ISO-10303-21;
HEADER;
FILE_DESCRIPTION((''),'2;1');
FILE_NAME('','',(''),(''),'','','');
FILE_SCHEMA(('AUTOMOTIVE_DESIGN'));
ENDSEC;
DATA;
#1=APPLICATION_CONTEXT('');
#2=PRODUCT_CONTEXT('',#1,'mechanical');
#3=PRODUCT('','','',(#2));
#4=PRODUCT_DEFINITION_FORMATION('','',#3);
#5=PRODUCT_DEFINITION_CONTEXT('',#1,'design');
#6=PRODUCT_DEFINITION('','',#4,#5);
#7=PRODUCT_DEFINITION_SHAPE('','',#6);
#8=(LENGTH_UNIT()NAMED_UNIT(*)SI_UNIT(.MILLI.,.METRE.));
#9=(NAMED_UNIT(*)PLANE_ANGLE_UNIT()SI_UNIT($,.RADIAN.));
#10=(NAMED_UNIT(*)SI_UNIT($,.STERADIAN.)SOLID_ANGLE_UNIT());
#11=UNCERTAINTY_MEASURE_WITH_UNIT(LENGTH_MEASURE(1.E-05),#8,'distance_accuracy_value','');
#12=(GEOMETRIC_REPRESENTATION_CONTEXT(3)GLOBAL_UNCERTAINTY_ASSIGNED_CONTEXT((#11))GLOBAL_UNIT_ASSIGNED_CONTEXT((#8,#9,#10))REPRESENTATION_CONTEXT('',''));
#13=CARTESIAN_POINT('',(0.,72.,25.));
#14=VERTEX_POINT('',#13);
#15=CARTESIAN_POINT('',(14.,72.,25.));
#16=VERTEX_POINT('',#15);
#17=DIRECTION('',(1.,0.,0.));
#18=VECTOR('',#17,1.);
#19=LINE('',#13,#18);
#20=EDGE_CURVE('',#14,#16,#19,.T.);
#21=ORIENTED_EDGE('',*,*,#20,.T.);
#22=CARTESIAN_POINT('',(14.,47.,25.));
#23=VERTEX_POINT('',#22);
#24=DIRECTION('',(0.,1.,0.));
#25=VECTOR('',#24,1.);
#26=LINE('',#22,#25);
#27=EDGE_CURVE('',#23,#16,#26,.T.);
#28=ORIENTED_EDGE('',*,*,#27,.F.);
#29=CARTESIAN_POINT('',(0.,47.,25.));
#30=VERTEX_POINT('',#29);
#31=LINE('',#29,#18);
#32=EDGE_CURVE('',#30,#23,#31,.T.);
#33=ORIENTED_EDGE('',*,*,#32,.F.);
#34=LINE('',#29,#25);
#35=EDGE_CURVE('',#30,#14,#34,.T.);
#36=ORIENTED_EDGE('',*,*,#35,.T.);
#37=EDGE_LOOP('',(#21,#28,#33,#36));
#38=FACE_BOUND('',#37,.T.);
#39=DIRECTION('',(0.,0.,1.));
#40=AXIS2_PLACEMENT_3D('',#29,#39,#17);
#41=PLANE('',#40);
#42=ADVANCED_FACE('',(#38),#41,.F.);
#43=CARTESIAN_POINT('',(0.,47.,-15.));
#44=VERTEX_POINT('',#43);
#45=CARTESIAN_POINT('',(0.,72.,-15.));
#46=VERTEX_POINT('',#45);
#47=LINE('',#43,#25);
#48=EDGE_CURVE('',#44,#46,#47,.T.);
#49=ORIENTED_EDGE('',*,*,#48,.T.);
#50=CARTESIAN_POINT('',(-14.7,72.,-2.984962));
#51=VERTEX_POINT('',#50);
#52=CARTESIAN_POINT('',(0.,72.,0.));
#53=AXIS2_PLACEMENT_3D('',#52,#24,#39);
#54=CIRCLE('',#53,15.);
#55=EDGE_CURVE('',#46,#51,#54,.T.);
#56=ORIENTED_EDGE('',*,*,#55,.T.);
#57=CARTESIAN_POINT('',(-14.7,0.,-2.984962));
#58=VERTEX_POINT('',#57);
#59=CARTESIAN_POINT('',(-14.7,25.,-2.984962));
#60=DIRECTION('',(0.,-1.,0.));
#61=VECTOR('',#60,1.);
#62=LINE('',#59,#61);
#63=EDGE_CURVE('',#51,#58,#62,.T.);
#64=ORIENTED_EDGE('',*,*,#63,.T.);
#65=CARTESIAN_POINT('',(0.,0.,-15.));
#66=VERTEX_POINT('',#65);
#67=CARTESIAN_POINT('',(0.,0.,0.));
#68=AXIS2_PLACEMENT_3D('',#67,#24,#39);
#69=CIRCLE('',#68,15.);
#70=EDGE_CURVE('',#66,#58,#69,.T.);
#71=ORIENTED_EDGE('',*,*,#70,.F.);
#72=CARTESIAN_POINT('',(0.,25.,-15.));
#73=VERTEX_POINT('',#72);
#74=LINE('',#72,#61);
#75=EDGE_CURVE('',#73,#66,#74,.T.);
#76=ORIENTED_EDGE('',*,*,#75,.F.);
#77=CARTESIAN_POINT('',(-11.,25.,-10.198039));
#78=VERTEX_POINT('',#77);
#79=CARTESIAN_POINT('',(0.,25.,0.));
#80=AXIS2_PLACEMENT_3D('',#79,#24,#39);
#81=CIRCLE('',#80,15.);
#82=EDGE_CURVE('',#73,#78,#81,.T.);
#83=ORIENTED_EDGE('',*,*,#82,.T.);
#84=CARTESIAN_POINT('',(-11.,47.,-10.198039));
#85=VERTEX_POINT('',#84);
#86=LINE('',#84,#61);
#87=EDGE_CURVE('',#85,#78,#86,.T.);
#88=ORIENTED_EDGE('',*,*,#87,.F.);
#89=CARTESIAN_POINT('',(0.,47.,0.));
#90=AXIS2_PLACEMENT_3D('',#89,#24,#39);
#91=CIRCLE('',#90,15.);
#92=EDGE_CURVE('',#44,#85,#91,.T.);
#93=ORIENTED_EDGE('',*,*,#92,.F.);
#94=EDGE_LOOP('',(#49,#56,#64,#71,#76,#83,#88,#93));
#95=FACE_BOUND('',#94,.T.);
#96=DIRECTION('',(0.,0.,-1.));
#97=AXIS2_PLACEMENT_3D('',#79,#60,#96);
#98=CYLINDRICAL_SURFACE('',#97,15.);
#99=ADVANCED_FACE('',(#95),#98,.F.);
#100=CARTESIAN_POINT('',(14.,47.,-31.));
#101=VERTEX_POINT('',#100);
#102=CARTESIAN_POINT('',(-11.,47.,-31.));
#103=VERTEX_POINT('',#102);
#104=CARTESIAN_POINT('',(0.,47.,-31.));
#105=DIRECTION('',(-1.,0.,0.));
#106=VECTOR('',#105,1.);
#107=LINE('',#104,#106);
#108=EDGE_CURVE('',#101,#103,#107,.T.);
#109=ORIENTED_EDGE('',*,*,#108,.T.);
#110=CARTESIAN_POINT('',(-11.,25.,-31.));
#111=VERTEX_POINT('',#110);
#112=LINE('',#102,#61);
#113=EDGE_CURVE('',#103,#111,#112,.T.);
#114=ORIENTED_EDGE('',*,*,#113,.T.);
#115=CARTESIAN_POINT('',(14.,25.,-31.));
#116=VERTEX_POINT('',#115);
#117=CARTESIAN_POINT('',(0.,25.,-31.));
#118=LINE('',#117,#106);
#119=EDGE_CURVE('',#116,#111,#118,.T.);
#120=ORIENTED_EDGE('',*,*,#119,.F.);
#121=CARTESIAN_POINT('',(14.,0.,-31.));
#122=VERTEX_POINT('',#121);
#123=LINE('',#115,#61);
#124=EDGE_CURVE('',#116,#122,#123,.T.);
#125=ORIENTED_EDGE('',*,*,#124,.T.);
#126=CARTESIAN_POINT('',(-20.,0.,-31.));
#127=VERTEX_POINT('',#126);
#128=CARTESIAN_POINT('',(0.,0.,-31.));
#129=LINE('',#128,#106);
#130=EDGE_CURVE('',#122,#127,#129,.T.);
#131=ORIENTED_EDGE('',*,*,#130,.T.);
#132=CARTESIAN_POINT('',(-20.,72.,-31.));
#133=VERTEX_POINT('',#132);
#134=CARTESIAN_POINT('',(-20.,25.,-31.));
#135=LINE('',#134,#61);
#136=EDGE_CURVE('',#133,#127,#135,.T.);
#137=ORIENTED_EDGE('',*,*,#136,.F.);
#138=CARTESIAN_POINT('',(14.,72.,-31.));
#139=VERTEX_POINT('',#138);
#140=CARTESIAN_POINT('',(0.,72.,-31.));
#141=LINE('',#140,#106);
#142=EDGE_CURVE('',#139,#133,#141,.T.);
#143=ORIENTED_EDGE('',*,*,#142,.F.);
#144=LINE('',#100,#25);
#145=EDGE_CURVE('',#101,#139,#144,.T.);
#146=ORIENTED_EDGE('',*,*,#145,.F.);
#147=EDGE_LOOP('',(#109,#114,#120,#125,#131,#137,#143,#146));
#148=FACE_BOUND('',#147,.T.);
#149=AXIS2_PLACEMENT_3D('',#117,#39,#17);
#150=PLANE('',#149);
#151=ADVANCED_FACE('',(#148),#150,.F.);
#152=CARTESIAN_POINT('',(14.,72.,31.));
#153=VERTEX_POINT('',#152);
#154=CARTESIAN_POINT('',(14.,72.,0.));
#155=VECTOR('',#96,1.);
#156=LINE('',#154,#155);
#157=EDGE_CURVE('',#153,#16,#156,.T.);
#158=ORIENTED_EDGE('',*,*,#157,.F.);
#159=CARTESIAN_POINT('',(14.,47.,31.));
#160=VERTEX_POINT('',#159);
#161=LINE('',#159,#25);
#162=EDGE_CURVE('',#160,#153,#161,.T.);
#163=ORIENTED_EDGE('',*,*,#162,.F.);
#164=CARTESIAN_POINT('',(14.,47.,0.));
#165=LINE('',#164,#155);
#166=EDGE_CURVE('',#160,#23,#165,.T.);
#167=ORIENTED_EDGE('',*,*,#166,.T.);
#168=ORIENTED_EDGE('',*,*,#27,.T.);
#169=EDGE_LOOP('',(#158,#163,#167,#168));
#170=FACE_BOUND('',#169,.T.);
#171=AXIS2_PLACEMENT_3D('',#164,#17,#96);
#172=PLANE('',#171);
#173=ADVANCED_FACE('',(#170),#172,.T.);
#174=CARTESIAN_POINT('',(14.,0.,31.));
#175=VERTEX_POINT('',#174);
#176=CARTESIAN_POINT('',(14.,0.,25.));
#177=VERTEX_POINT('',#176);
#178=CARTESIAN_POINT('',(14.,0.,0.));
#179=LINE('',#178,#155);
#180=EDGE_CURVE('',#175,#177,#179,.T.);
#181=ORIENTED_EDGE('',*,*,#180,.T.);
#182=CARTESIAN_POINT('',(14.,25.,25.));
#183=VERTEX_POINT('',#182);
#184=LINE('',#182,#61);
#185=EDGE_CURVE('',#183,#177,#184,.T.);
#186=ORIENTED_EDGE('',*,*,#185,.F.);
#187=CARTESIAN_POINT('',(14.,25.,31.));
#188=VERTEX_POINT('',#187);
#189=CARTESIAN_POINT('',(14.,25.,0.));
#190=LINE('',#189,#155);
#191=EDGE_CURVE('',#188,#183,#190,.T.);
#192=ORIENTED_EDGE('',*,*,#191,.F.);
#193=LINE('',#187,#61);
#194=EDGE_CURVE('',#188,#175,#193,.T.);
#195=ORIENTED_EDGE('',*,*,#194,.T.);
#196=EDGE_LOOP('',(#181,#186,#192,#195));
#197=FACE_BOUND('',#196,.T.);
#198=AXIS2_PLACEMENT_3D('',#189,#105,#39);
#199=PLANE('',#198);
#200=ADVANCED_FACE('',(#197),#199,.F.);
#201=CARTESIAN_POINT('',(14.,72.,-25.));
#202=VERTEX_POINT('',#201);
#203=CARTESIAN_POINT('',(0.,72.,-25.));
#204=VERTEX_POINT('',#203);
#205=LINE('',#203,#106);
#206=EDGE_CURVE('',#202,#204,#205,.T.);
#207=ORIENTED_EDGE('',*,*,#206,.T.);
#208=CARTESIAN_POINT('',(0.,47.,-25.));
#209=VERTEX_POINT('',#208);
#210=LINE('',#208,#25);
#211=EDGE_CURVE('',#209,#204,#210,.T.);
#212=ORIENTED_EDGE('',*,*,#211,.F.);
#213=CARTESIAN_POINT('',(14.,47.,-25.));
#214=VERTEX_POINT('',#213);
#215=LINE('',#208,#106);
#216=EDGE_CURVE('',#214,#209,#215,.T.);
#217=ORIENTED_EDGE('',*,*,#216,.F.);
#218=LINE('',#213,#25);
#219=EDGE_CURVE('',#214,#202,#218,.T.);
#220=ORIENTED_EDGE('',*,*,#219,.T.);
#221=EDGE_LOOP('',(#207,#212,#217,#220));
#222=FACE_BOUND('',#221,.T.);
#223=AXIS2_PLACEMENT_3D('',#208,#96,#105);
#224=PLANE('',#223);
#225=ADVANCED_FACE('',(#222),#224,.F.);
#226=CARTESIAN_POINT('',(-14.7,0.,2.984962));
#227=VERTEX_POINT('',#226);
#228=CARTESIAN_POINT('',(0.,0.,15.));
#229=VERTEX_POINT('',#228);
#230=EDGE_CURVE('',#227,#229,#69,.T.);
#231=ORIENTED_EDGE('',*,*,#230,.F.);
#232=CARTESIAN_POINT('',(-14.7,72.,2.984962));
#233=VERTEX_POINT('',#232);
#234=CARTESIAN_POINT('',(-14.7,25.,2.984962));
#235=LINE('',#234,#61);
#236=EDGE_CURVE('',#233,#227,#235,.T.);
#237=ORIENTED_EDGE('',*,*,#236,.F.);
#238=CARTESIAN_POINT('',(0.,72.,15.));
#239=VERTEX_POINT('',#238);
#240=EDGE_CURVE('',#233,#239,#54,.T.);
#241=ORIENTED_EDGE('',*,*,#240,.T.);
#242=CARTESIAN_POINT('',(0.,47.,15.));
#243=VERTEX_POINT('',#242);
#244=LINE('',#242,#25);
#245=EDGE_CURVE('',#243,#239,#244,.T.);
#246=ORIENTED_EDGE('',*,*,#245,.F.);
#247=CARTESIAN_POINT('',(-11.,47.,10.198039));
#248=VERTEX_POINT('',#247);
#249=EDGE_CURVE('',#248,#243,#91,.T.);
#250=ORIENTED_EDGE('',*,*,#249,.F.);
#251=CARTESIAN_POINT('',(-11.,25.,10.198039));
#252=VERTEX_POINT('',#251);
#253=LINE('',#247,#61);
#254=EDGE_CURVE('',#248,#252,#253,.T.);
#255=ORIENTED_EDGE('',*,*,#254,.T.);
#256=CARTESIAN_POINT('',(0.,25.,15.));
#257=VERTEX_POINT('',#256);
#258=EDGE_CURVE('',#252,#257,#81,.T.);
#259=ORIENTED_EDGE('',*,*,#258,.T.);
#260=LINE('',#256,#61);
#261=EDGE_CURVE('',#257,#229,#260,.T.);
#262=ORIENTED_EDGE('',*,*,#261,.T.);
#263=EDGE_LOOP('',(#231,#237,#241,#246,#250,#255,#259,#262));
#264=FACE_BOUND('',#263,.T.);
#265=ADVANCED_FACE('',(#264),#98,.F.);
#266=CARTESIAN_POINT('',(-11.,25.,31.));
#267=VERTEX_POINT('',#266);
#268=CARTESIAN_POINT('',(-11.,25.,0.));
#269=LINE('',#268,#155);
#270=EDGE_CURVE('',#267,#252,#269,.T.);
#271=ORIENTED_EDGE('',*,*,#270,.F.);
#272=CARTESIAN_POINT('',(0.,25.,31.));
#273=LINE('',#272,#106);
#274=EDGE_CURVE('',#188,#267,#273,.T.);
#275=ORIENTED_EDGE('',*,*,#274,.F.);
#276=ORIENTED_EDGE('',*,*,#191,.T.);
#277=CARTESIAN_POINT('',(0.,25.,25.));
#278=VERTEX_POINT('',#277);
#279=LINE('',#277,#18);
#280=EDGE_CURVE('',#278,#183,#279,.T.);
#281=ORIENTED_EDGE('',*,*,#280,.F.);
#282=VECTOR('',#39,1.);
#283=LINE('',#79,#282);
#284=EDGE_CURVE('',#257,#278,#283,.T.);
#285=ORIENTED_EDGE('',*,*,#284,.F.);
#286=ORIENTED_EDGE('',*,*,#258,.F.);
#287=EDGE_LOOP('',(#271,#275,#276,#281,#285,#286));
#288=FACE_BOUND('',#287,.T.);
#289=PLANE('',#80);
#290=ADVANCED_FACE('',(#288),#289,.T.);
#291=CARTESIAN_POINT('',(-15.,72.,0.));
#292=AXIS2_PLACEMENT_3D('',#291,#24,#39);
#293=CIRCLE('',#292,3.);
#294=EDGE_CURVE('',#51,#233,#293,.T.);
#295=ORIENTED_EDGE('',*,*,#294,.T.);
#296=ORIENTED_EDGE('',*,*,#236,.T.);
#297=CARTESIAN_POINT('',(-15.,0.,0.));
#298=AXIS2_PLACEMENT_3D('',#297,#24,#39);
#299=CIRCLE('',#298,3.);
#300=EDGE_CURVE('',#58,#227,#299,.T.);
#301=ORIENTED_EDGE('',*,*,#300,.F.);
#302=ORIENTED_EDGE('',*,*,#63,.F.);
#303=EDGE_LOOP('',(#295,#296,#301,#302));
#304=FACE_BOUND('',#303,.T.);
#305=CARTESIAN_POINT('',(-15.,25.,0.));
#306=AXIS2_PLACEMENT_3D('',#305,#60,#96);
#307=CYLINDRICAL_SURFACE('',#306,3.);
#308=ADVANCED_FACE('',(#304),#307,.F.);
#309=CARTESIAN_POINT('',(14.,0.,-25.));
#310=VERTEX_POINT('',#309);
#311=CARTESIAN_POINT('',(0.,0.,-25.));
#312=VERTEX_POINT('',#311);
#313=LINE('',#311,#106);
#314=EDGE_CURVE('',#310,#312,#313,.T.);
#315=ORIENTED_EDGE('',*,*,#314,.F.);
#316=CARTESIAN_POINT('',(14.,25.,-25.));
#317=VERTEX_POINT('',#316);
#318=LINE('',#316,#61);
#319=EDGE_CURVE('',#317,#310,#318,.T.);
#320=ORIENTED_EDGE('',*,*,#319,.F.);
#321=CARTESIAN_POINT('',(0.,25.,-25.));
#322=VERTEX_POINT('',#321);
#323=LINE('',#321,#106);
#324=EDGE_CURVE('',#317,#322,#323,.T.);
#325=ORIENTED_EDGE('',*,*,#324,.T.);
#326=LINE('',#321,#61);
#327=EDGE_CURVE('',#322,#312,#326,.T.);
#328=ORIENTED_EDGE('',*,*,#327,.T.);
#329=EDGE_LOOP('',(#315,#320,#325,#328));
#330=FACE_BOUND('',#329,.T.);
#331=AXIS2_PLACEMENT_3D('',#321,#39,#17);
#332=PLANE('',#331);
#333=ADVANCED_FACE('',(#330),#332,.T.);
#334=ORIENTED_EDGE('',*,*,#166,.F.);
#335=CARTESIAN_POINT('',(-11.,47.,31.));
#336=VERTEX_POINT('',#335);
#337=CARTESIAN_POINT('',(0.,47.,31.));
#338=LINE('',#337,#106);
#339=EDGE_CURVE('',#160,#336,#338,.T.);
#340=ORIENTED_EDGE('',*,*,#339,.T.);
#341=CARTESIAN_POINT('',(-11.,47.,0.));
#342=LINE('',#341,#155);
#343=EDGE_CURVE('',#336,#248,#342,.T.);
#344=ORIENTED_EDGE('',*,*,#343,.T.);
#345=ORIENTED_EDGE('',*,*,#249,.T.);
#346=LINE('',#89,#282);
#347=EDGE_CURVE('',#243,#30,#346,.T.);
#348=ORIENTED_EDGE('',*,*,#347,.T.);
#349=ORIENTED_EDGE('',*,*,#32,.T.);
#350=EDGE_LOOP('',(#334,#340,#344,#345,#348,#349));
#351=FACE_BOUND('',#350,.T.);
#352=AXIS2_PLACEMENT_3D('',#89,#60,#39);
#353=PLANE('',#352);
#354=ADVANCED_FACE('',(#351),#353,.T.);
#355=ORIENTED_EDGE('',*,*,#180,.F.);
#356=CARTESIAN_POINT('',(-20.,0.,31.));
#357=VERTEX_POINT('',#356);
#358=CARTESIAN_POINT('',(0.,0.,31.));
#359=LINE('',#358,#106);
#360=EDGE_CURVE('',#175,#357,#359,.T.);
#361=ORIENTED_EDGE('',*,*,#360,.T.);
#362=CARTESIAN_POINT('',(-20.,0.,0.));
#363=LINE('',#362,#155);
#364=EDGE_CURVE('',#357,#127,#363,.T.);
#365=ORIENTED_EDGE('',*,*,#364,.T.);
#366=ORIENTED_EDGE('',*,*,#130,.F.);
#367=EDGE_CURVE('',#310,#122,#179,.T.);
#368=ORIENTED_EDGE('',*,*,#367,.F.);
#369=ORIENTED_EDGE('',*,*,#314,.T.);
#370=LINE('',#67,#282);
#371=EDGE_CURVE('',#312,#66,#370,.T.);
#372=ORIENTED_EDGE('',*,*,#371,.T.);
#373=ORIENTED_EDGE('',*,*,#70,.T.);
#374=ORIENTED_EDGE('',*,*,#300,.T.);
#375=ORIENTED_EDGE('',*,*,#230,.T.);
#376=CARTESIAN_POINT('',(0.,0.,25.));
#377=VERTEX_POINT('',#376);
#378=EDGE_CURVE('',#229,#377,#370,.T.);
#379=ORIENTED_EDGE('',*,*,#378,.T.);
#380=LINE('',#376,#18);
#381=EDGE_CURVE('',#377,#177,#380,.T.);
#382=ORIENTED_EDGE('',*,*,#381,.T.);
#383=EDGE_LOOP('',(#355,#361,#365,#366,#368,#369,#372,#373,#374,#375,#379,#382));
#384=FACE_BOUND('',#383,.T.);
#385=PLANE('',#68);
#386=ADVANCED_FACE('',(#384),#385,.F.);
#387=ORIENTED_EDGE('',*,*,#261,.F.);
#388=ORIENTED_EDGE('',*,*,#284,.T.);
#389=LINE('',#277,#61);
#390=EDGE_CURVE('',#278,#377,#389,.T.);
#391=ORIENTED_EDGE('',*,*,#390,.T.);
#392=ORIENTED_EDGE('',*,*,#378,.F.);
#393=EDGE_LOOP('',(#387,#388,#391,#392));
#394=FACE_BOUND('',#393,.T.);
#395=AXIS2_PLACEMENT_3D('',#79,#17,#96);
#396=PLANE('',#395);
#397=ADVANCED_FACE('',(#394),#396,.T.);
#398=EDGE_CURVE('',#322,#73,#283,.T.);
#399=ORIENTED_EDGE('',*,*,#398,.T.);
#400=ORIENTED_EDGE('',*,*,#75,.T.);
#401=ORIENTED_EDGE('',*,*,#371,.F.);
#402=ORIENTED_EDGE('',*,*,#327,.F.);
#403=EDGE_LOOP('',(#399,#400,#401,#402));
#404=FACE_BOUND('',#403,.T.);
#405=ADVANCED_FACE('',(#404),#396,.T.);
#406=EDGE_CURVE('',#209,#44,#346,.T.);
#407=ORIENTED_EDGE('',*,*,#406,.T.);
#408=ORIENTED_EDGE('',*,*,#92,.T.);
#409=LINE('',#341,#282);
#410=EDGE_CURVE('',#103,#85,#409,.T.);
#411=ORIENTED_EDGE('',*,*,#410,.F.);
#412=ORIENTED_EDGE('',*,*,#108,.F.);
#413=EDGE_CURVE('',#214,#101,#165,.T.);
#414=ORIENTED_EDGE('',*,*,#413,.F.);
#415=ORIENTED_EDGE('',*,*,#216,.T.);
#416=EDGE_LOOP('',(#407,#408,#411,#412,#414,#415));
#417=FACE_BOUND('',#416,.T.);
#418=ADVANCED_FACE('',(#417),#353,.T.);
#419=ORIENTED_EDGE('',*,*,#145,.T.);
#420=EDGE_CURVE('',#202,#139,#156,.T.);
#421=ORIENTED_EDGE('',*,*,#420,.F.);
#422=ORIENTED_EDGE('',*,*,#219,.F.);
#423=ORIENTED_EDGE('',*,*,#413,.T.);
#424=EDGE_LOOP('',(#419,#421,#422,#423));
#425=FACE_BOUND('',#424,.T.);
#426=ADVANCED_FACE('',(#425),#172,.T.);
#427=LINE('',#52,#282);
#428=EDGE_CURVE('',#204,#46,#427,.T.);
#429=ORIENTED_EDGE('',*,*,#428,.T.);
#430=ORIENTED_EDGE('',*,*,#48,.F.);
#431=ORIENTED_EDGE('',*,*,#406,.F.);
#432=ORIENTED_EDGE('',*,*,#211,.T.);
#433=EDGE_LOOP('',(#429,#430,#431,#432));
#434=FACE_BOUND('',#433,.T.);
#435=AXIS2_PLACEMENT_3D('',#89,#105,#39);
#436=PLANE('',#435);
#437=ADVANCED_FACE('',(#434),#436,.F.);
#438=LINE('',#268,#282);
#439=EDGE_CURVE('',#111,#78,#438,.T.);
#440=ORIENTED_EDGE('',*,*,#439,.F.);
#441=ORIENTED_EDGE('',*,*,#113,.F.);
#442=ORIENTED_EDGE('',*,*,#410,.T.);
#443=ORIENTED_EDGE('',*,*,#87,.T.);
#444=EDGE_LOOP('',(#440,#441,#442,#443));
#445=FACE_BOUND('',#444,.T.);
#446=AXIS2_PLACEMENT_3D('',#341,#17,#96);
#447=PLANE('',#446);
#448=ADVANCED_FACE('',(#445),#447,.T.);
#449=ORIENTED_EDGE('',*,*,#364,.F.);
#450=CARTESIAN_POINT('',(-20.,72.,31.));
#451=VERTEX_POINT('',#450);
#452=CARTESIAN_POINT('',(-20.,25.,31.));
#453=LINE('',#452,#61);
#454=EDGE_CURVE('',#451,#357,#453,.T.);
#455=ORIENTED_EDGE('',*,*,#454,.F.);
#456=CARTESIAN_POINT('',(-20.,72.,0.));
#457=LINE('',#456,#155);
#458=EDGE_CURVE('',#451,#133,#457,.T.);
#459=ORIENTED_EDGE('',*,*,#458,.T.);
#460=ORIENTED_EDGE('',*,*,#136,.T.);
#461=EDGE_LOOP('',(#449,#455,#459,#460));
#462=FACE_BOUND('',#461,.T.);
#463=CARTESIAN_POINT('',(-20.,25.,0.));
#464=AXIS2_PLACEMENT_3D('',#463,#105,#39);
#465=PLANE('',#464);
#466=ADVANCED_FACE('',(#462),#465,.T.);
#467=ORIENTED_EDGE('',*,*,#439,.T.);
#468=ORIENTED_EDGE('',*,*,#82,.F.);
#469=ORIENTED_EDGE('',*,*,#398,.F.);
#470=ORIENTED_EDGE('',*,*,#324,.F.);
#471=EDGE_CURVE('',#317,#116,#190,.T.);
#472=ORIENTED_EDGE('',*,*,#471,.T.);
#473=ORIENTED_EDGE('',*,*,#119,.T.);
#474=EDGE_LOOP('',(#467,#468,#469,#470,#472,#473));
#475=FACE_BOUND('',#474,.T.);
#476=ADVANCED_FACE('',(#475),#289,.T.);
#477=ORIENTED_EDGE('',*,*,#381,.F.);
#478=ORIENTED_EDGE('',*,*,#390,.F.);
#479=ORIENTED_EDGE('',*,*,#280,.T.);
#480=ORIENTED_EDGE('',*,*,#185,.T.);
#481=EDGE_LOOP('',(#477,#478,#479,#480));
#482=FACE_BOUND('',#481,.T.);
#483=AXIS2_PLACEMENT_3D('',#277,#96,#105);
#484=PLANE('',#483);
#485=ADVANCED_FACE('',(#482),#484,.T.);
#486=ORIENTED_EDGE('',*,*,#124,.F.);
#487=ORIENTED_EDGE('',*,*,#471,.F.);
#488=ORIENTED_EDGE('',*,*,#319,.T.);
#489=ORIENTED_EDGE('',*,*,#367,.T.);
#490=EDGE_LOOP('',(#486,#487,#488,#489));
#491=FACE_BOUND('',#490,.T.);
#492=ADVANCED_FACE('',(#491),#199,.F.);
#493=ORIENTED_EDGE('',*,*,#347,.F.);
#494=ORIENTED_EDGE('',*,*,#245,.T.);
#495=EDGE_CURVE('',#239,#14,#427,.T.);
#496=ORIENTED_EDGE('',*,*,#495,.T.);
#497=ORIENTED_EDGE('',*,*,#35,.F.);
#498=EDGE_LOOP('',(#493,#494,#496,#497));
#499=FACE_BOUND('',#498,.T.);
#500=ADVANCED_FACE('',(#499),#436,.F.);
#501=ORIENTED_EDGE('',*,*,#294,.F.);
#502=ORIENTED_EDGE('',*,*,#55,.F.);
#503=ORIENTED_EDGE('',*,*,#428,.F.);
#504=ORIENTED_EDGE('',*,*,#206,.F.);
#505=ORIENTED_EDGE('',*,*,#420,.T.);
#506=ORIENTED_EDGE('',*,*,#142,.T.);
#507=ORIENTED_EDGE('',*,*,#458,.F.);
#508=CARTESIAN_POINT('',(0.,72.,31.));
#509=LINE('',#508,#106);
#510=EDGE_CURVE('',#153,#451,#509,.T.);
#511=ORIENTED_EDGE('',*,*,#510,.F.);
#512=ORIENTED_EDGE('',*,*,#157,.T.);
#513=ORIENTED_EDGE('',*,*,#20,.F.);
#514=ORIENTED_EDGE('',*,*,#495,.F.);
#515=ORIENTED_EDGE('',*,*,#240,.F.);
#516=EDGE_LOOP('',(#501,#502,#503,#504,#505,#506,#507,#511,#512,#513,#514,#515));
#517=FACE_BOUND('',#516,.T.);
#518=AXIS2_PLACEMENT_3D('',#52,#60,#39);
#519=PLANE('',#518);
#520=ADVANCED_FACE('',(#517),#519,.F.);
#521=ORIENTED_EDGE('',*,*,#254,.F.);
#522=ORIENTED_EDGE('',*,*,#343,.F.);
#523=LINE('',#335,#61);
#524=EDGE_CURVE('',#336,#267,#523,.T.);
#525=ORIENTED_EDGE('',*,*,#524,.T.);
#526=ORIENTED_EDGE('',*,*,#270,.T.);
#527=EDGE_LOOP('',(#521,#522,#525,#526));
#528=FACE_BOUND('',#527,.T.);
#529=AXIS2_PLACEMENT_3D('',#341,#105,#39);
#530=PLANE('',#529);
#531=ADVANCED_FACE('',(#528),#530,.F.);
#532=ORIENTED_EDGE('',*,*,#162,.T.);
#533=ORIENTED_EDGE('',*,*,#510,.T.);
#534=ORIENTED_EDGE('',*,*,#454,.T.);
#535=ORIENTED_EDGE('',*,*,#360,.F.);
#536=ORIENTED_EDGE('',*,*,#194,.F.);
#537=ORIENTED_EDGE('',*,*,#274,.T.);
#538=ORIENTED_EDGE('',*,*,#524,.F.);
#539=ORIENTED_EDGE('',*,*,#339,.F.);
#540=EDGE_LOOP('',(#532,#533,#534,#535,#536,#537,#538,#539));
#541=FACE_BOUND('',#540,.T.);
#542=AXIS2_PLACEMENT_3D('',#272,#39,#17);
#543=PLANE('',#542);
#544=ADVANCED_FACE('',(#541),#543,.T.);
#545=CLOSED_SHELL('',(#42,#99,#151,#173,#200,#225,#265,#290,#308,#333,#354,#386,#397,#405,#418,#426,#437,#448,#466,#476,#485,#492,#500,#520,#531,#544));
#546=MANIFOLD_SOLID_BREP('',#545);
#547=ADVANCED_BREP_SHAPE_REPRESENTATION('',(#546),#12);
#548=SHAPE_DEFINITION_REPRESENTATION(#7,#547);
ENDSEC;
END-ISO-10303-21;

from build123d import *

# Parameters (mm, degrees)
BOSS_EXTRUDE1_DEPTH = 25
BOSS_EXTRUDE2_DEPTH = 22


with BuildPart() as part:
    # Sketch1 → Boss-Extrude1 (new body)
    with BuildSketch(Plane(origin=(0, 0, 0), x_dir=(1, 0, 0), z_dir=(0, 1, 0))):
        with BuildLine():
            Line((0, 25), (14, 25))
            Line((14, 25), (14, 31))
            Line((14, 31), (-20, 31))
            Line((-20, 31), (-20, -31))
            Line((-20, -31), (14, -31))
            Line((14, -31), (14, -25))
            Line((14, -25), (0, -25))
            Line((0, -25), (0, -15))
            ThreePointArc((0, -15), (-9.492775288, -11.614095631), (-14.7, -2.984962311))
            ThreePointArc((-14.7, -2.984962311), (-18, 0), (-14.7, 2.984962311))
            ThreePointArc((-14.7, 2.984962311), (-9.492775288, 11.614095631), (0, 15))
            Line((0, 15), (0, 25))
        make_face()
    boss_extrude1 = extrude(amount=BOSS_EXTRUDE1_DEPTH)

    # Sketch2 → Boss-Extrude2 (add)
    with BuildSketch(Plane(origin=(0, 25, 0), x_dir=(1, 0, 0), z_dir=(0, 1, 0))):
        with BuildLine():
            Line((-20, 31), (-20, -31))
            Line((-20, -31), (-11, -31))
            Line((-11, -31), (-11, -10.198039027))
            ThreePointArc((-11, -10.198039027), (-13.346520855, -6.846194642), (-14.7, -2.984962311))
            ThreePointArc((-14.7, -2.984962311), (-18, 0), (-14.7, 2.984962311))
            ThreePointArc((-14.7, 2.984962311), (-13.346520855, 6.846194642), (-11, 10.198039027))
            Line((-11, 10.198039027), (-11, 31))
            Line((-11, 31), (-20, 31))
        make_face()
    extrude(amount=BOSS_EXTRUDE2_DEPTH)

    # Mirror1: Boss-Extrude1 across plane
    add(boss_extrude1.mirror(Plane.ZX.offset(36)))


solid = part.part
